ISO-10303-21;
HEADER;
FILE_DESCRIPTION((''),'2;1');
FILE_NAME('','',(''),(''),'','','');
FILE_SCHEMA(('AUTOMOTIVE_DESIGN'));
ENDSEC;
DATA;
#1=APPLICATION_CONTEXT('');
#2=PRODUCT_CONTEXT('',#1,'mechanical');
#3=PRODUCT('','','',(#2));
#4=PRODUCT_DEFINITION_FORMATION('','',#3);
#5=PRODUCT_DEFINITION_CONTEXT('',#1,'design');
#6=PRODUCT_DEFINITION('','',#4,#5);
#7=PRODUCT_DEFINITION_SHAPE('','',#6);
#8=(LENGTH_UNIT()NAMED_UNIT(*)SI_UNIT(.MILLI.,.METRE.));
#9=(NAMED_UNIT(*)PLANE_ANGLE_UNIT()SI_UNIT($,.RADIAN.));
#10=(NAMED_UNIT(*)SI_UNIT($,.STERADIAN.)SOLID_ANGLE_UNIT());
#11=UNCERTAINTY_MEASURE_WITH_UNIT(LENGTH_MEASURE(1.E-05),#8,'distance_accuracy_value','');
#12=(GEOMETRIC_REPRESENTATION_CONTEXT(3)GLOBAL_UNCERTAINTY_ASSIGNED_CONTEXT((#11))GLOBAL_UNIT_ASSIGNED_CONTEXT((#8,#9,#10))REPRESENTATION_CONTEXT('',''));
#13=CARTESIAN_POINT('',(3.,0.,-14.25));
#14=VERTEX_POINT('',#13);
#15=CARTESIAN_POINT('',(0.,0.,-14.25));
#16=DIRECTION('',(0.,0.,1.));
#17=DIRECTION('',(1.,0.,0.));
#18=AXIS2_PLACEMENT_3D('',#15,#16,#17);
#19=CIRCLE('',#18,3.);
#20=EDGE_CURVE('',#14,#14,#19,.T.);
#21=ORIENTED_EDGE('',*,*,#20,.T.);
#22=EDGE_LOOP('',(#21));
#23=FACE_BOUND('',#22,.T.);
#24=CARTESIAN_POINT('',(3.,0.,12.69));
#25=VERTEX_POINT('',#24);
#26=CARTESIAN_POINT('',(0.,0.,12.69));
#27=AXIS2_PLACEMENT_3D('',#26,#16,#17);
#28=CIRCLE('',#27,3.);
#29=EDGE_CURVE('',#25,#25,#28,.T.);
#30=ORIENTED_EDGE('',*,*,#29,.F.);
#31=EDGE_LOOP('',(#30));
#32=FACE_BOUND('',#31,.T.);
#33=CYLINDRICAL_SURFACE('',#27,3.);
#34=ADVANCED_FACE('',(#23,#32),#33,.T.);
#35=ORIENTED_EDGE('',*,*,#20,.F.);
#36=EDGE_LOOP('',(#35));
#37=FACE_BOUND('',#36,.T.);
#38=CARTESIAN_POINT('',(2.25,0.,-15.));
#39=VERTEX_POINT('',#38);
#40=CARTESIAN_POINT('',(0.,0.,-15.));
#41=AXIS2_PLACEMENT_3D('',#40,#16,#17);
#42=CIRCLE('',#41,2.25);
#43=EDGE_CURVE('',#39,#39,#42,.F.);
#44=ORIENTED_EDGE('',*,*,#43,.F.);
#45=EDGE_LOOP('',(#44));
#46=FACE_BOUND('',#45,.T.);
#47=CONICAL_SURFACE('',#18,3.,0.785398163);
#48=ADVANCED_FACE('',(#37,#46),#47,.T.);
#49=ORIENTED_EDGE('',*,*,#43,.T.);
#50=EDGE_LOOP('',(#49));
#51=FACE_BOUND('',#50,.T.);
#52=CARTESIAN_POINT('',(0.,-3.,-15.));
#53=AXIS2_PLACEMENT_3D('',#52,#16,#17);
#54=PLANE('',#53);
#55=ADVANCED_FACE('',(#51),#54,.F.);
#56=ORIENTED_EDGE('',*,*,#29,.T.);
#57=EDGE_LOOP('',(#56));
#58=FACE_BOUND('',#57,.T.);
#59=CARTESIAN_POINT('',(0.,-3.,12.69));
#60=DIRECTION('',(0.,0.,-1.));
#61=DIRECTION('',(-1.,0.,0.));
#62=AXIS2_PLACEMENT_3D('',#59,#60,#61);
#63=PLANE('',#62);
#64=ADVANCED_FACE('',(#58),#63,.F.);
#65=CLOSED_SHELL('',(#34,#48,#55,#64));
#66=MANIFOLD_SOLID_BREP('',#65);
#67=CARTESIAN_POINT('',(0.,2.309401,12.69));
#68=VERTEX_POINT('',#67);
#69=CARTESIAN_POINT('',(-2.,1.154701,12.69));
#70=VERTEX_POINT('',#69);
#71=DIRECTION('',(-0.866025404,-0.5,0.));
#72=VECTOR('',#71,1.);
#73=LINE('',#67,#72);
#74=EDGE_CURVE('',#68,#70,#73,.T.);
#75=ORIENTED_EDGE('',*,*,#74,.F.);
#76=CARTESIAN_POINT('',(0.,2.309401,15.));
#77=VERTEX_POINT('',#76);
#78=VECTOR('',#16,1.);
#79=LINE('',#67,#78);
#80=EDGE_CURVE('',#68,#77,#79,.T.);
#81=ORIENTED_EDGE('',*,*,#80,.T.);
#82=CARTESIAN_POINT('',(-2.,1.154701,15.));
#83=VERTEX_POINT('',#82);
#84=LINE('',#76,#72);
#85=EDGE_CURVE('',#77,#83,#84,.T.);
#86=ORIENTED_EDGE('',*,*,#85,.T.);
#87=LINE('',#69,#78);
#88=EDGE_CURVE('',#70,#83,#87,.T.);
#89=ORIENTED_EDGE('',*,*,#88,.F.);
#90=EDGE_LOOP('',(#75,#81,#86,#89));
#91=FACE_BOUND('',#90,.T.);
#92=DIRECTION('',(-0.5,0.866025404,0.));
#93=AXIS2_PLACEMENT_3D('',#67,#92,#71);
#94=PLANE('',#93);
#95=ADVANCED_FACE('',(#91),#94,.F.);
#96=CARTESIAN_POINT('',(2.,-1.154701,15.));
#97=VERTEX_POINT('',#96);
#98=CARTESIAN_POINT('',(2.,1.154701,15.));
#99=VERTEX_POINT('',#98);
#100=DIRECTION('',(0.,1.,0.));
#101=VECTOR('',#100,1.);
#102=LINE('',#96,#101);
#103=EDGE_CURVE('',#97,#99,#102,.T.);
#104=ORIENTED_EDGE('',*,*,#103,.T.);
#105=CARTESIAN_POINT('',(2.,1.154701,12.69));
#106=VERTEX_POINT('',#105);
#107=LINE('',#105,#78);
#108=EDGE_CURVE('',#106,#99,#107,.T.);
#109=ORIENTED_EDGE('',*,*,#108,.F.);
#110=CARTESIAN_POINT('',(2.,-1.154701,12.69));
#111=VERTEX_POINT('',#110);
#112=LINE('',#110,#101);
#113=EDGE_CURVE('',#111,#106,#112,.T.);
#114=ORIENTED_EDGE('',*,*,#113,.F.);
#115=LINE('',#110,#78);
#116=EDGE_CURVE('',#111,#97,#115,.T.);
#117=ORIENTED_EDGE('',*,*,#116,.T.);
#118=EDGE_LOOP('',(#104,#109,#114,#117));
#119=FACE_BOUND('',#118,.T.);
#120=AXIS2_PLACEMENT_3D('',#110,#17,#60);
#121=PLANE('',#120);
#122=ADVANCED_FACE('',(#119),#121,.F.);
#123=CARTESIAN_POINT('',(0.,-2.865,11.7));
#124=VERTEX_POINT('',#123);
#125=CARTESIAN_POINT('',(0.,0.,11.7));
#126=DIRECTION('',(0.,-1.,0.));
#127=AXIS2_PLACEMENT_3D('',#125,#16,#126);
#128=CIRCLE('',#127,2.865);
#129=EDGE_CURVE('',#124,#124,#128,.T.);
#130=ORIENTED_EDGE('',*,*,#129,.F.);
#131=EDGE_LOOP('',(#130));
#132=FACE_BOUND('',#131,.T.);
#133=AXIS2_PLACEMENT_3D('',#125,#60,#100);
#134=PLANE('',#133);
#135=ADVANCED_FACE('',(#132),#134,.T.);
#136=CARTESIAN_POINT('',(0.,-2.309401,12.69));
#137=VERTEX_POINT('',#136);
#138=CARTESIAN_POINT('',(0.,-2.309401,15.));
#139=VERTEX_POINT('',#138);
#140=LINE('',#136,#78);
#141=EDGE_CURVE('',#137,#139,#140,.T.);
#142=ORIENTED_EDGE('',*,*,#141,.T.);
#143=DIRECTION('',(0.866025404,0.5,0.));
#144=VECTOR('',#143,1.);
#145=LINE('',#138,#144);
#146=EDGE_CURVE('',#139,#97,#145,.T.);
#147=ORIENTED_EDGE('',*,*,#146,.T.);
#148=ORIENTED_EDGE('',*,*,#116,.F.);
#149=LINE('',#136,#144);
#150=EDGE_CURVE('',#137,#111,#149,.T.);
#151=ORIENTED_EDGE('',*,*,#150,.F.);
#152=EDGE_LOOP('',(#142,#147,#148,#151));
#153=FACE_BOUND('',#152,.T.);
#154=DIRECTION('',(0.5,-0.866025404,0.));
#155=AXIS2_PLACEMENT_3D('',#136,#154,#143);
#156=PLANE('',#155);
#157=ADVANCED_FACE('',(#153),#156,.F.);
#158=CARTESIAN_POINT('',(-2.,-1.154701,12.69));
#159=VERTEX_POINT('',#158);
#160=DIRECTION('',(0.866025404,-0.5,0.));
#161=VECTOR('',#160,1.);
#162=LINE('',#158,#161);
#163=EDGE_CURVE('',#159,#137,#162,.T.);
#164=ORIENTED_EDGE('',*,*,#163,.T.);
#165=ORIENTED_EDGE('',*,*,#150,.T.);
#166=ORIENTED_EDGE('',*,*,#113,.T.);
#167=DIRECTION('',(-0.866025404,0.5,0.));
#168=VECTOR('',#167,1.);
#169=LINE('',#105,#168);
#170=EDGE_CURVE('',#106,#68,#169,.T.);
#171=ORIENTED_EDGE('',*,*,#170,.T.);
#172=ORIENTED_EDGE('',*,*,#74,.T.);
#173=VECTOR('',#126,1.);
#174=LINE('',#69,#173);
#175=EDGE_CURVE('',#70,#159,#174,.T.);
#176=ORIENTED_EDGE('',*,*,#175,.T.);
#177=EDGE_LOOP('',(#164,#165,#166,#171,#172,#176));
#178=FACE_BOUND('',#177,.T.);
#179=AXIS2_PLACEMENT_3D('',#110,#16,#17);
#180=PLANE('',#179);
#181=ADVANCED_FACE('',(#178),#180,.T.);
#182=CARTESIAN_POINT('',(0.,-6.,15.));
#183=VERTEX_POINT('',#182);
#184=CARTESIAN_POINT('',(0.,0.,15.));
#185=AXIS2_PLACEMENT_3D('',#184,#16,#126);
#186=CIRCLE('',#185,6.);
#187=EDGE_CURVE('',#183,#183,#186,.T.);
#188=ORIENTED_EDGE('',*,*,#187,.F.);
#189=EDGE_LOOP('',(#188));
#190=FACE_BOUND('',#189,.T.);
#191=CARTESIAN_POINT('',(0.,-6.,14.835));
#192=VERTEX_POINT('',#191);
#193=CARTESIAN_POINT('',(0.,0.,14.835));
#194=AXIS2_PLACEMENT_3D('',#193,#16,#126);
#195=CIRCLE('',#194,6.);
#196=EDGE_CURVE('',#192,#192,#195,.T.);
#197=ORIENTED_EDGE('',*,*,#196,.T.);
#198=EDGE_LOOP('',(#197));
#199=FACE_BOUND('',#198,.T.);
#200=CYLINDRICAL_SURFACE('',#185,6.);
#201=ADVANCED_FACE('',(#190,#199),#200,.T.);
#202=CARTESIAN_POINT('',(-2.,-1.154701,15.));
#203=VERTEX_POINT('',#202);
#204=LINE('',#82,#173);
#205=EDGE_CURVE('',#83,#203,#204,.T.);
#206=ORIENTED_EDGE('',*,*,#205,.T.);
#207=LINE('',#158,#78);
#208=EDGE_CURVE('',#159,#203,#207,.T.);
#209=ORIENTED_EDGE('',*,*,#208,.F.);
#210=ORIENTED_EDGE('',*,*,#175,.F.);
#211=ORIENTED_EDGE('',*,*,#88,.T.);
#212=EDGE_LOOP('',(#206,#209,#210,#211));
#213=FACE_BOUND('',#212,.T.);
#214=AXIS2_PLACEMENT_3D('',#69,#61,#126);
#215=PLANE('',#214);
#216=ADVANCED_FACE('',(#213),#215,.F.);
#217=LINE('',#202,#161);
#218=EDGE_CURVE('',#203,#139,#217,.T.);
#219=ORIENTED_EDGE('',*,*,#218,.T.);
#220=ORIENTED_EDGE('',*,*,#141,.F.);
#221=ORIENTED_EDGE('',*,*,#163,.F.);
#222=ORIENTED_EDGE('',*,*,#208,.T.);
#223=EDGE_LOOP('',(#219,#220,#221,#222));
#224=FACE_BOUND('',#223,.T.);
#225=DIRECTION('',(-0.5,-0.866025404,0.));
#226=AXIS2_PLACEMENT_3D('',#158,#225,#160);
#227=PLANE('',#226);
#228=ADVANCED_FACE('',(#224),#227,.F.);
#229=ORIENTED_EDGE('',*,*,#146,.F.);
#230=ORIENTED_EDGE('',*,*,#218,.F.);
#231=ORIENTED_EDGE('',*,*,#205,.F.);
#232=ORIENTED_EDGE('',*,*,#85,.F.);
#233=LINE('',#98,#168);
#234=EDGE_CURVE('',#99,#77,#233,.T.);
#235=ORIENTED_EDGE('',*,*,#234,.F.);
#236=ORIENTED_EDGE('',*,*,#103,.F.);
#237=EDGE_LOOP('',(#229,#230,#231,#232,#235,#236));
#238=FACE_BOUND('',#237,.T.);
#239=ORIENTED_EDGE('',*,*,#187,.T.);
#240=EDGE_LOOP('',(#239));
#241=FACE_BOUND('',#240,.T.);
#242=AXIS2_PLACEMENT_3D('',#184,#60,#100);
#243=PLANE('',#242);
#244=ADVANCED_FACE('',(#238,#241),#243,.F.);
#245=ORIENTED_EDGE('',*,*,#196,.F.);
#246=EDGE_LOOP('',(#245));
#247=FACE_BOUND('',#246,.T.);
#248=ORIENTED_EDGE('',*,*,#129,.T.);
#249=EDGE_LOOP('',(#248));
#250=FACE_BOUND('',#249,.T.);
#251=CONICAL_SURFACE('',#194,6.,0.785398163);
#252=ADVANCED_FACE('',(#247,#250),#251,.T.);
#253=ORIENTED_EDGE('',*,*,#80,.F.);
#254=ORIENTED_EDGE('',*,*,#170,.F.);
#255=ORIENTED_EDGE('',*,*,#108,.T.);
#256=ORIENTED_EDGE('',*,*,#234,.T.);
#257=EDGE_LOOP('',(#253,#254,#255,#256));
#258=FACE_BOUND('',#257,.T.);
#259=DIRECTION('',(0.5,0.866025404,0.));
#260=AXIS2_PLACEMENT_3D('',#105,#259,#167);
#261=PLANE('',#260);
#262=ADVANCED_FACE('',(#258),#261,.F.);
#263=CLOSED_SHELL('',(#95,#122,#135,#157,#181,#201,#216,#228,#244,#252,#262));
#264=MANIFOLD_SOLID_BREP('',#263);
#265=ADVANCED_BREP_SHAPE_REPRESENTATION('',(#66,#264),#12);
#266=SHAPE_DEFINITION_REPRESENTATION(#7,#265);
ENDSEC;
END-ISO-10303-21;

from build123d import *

# Parameters (mm, degrees)
CHAMFER1_SIZE      = 0.75
CUT_EXTRUDE2_DEPTH = 2.31


with BuildPart() as part:
    # Sketch1 → Revolve1 (revolve)
    with BuildSketch(Plane(origin=(0, 0, 0), x_dir=(0, 0, -1), z_dir=(1, 0, 0))):
        Polygon((-11.7, 3), (15, 3), (15, 0), (-12.69, 0), (-12.69, 3), align=None)
    revolve(axis=Axis((0, 0, 12.69), (0, 0, -1)))

    # Chamfer1
    chamfer1_edges = [part.edges().sort_by_distance(p)[0] for p in [
        (0, -3, -15),
    ]]
    chamfer(chamfer1_edges, length=CHAMFER1_SIZE)


with BuildPart() as body_2:
    # Sketch7 → Revolve2 (revolve)
    with BuildSketch(Plane(origin=(0, 0, 0), x_dir=(0, 0, -1), z_dir=(1, 0, 0))):
        Polygon((-14.835, 6), (-15, 6), (-15, 0), (-11.7, 0), (-11.7, 2.865), align=None)
    revolve(axis=Axis((0, 0, 15), (0, 0, -1)))

    # Sketch5 → Cut-Extrude2 (cut)
    with BuildSketch(Plane.XY.offset(15)):
        Polygon((2, -1.154700538), (2, 1.154700538), (0, 2.309401077), (-2, 1.154700538), (-2, -1.154700538), (0, -2.309401077), align=None)
    extrude(amount=-CUT_EXTRUDE2_DEPTH, mode=Mode.SUBTRACT)


solid = Compound([part.part, body_2.part])
